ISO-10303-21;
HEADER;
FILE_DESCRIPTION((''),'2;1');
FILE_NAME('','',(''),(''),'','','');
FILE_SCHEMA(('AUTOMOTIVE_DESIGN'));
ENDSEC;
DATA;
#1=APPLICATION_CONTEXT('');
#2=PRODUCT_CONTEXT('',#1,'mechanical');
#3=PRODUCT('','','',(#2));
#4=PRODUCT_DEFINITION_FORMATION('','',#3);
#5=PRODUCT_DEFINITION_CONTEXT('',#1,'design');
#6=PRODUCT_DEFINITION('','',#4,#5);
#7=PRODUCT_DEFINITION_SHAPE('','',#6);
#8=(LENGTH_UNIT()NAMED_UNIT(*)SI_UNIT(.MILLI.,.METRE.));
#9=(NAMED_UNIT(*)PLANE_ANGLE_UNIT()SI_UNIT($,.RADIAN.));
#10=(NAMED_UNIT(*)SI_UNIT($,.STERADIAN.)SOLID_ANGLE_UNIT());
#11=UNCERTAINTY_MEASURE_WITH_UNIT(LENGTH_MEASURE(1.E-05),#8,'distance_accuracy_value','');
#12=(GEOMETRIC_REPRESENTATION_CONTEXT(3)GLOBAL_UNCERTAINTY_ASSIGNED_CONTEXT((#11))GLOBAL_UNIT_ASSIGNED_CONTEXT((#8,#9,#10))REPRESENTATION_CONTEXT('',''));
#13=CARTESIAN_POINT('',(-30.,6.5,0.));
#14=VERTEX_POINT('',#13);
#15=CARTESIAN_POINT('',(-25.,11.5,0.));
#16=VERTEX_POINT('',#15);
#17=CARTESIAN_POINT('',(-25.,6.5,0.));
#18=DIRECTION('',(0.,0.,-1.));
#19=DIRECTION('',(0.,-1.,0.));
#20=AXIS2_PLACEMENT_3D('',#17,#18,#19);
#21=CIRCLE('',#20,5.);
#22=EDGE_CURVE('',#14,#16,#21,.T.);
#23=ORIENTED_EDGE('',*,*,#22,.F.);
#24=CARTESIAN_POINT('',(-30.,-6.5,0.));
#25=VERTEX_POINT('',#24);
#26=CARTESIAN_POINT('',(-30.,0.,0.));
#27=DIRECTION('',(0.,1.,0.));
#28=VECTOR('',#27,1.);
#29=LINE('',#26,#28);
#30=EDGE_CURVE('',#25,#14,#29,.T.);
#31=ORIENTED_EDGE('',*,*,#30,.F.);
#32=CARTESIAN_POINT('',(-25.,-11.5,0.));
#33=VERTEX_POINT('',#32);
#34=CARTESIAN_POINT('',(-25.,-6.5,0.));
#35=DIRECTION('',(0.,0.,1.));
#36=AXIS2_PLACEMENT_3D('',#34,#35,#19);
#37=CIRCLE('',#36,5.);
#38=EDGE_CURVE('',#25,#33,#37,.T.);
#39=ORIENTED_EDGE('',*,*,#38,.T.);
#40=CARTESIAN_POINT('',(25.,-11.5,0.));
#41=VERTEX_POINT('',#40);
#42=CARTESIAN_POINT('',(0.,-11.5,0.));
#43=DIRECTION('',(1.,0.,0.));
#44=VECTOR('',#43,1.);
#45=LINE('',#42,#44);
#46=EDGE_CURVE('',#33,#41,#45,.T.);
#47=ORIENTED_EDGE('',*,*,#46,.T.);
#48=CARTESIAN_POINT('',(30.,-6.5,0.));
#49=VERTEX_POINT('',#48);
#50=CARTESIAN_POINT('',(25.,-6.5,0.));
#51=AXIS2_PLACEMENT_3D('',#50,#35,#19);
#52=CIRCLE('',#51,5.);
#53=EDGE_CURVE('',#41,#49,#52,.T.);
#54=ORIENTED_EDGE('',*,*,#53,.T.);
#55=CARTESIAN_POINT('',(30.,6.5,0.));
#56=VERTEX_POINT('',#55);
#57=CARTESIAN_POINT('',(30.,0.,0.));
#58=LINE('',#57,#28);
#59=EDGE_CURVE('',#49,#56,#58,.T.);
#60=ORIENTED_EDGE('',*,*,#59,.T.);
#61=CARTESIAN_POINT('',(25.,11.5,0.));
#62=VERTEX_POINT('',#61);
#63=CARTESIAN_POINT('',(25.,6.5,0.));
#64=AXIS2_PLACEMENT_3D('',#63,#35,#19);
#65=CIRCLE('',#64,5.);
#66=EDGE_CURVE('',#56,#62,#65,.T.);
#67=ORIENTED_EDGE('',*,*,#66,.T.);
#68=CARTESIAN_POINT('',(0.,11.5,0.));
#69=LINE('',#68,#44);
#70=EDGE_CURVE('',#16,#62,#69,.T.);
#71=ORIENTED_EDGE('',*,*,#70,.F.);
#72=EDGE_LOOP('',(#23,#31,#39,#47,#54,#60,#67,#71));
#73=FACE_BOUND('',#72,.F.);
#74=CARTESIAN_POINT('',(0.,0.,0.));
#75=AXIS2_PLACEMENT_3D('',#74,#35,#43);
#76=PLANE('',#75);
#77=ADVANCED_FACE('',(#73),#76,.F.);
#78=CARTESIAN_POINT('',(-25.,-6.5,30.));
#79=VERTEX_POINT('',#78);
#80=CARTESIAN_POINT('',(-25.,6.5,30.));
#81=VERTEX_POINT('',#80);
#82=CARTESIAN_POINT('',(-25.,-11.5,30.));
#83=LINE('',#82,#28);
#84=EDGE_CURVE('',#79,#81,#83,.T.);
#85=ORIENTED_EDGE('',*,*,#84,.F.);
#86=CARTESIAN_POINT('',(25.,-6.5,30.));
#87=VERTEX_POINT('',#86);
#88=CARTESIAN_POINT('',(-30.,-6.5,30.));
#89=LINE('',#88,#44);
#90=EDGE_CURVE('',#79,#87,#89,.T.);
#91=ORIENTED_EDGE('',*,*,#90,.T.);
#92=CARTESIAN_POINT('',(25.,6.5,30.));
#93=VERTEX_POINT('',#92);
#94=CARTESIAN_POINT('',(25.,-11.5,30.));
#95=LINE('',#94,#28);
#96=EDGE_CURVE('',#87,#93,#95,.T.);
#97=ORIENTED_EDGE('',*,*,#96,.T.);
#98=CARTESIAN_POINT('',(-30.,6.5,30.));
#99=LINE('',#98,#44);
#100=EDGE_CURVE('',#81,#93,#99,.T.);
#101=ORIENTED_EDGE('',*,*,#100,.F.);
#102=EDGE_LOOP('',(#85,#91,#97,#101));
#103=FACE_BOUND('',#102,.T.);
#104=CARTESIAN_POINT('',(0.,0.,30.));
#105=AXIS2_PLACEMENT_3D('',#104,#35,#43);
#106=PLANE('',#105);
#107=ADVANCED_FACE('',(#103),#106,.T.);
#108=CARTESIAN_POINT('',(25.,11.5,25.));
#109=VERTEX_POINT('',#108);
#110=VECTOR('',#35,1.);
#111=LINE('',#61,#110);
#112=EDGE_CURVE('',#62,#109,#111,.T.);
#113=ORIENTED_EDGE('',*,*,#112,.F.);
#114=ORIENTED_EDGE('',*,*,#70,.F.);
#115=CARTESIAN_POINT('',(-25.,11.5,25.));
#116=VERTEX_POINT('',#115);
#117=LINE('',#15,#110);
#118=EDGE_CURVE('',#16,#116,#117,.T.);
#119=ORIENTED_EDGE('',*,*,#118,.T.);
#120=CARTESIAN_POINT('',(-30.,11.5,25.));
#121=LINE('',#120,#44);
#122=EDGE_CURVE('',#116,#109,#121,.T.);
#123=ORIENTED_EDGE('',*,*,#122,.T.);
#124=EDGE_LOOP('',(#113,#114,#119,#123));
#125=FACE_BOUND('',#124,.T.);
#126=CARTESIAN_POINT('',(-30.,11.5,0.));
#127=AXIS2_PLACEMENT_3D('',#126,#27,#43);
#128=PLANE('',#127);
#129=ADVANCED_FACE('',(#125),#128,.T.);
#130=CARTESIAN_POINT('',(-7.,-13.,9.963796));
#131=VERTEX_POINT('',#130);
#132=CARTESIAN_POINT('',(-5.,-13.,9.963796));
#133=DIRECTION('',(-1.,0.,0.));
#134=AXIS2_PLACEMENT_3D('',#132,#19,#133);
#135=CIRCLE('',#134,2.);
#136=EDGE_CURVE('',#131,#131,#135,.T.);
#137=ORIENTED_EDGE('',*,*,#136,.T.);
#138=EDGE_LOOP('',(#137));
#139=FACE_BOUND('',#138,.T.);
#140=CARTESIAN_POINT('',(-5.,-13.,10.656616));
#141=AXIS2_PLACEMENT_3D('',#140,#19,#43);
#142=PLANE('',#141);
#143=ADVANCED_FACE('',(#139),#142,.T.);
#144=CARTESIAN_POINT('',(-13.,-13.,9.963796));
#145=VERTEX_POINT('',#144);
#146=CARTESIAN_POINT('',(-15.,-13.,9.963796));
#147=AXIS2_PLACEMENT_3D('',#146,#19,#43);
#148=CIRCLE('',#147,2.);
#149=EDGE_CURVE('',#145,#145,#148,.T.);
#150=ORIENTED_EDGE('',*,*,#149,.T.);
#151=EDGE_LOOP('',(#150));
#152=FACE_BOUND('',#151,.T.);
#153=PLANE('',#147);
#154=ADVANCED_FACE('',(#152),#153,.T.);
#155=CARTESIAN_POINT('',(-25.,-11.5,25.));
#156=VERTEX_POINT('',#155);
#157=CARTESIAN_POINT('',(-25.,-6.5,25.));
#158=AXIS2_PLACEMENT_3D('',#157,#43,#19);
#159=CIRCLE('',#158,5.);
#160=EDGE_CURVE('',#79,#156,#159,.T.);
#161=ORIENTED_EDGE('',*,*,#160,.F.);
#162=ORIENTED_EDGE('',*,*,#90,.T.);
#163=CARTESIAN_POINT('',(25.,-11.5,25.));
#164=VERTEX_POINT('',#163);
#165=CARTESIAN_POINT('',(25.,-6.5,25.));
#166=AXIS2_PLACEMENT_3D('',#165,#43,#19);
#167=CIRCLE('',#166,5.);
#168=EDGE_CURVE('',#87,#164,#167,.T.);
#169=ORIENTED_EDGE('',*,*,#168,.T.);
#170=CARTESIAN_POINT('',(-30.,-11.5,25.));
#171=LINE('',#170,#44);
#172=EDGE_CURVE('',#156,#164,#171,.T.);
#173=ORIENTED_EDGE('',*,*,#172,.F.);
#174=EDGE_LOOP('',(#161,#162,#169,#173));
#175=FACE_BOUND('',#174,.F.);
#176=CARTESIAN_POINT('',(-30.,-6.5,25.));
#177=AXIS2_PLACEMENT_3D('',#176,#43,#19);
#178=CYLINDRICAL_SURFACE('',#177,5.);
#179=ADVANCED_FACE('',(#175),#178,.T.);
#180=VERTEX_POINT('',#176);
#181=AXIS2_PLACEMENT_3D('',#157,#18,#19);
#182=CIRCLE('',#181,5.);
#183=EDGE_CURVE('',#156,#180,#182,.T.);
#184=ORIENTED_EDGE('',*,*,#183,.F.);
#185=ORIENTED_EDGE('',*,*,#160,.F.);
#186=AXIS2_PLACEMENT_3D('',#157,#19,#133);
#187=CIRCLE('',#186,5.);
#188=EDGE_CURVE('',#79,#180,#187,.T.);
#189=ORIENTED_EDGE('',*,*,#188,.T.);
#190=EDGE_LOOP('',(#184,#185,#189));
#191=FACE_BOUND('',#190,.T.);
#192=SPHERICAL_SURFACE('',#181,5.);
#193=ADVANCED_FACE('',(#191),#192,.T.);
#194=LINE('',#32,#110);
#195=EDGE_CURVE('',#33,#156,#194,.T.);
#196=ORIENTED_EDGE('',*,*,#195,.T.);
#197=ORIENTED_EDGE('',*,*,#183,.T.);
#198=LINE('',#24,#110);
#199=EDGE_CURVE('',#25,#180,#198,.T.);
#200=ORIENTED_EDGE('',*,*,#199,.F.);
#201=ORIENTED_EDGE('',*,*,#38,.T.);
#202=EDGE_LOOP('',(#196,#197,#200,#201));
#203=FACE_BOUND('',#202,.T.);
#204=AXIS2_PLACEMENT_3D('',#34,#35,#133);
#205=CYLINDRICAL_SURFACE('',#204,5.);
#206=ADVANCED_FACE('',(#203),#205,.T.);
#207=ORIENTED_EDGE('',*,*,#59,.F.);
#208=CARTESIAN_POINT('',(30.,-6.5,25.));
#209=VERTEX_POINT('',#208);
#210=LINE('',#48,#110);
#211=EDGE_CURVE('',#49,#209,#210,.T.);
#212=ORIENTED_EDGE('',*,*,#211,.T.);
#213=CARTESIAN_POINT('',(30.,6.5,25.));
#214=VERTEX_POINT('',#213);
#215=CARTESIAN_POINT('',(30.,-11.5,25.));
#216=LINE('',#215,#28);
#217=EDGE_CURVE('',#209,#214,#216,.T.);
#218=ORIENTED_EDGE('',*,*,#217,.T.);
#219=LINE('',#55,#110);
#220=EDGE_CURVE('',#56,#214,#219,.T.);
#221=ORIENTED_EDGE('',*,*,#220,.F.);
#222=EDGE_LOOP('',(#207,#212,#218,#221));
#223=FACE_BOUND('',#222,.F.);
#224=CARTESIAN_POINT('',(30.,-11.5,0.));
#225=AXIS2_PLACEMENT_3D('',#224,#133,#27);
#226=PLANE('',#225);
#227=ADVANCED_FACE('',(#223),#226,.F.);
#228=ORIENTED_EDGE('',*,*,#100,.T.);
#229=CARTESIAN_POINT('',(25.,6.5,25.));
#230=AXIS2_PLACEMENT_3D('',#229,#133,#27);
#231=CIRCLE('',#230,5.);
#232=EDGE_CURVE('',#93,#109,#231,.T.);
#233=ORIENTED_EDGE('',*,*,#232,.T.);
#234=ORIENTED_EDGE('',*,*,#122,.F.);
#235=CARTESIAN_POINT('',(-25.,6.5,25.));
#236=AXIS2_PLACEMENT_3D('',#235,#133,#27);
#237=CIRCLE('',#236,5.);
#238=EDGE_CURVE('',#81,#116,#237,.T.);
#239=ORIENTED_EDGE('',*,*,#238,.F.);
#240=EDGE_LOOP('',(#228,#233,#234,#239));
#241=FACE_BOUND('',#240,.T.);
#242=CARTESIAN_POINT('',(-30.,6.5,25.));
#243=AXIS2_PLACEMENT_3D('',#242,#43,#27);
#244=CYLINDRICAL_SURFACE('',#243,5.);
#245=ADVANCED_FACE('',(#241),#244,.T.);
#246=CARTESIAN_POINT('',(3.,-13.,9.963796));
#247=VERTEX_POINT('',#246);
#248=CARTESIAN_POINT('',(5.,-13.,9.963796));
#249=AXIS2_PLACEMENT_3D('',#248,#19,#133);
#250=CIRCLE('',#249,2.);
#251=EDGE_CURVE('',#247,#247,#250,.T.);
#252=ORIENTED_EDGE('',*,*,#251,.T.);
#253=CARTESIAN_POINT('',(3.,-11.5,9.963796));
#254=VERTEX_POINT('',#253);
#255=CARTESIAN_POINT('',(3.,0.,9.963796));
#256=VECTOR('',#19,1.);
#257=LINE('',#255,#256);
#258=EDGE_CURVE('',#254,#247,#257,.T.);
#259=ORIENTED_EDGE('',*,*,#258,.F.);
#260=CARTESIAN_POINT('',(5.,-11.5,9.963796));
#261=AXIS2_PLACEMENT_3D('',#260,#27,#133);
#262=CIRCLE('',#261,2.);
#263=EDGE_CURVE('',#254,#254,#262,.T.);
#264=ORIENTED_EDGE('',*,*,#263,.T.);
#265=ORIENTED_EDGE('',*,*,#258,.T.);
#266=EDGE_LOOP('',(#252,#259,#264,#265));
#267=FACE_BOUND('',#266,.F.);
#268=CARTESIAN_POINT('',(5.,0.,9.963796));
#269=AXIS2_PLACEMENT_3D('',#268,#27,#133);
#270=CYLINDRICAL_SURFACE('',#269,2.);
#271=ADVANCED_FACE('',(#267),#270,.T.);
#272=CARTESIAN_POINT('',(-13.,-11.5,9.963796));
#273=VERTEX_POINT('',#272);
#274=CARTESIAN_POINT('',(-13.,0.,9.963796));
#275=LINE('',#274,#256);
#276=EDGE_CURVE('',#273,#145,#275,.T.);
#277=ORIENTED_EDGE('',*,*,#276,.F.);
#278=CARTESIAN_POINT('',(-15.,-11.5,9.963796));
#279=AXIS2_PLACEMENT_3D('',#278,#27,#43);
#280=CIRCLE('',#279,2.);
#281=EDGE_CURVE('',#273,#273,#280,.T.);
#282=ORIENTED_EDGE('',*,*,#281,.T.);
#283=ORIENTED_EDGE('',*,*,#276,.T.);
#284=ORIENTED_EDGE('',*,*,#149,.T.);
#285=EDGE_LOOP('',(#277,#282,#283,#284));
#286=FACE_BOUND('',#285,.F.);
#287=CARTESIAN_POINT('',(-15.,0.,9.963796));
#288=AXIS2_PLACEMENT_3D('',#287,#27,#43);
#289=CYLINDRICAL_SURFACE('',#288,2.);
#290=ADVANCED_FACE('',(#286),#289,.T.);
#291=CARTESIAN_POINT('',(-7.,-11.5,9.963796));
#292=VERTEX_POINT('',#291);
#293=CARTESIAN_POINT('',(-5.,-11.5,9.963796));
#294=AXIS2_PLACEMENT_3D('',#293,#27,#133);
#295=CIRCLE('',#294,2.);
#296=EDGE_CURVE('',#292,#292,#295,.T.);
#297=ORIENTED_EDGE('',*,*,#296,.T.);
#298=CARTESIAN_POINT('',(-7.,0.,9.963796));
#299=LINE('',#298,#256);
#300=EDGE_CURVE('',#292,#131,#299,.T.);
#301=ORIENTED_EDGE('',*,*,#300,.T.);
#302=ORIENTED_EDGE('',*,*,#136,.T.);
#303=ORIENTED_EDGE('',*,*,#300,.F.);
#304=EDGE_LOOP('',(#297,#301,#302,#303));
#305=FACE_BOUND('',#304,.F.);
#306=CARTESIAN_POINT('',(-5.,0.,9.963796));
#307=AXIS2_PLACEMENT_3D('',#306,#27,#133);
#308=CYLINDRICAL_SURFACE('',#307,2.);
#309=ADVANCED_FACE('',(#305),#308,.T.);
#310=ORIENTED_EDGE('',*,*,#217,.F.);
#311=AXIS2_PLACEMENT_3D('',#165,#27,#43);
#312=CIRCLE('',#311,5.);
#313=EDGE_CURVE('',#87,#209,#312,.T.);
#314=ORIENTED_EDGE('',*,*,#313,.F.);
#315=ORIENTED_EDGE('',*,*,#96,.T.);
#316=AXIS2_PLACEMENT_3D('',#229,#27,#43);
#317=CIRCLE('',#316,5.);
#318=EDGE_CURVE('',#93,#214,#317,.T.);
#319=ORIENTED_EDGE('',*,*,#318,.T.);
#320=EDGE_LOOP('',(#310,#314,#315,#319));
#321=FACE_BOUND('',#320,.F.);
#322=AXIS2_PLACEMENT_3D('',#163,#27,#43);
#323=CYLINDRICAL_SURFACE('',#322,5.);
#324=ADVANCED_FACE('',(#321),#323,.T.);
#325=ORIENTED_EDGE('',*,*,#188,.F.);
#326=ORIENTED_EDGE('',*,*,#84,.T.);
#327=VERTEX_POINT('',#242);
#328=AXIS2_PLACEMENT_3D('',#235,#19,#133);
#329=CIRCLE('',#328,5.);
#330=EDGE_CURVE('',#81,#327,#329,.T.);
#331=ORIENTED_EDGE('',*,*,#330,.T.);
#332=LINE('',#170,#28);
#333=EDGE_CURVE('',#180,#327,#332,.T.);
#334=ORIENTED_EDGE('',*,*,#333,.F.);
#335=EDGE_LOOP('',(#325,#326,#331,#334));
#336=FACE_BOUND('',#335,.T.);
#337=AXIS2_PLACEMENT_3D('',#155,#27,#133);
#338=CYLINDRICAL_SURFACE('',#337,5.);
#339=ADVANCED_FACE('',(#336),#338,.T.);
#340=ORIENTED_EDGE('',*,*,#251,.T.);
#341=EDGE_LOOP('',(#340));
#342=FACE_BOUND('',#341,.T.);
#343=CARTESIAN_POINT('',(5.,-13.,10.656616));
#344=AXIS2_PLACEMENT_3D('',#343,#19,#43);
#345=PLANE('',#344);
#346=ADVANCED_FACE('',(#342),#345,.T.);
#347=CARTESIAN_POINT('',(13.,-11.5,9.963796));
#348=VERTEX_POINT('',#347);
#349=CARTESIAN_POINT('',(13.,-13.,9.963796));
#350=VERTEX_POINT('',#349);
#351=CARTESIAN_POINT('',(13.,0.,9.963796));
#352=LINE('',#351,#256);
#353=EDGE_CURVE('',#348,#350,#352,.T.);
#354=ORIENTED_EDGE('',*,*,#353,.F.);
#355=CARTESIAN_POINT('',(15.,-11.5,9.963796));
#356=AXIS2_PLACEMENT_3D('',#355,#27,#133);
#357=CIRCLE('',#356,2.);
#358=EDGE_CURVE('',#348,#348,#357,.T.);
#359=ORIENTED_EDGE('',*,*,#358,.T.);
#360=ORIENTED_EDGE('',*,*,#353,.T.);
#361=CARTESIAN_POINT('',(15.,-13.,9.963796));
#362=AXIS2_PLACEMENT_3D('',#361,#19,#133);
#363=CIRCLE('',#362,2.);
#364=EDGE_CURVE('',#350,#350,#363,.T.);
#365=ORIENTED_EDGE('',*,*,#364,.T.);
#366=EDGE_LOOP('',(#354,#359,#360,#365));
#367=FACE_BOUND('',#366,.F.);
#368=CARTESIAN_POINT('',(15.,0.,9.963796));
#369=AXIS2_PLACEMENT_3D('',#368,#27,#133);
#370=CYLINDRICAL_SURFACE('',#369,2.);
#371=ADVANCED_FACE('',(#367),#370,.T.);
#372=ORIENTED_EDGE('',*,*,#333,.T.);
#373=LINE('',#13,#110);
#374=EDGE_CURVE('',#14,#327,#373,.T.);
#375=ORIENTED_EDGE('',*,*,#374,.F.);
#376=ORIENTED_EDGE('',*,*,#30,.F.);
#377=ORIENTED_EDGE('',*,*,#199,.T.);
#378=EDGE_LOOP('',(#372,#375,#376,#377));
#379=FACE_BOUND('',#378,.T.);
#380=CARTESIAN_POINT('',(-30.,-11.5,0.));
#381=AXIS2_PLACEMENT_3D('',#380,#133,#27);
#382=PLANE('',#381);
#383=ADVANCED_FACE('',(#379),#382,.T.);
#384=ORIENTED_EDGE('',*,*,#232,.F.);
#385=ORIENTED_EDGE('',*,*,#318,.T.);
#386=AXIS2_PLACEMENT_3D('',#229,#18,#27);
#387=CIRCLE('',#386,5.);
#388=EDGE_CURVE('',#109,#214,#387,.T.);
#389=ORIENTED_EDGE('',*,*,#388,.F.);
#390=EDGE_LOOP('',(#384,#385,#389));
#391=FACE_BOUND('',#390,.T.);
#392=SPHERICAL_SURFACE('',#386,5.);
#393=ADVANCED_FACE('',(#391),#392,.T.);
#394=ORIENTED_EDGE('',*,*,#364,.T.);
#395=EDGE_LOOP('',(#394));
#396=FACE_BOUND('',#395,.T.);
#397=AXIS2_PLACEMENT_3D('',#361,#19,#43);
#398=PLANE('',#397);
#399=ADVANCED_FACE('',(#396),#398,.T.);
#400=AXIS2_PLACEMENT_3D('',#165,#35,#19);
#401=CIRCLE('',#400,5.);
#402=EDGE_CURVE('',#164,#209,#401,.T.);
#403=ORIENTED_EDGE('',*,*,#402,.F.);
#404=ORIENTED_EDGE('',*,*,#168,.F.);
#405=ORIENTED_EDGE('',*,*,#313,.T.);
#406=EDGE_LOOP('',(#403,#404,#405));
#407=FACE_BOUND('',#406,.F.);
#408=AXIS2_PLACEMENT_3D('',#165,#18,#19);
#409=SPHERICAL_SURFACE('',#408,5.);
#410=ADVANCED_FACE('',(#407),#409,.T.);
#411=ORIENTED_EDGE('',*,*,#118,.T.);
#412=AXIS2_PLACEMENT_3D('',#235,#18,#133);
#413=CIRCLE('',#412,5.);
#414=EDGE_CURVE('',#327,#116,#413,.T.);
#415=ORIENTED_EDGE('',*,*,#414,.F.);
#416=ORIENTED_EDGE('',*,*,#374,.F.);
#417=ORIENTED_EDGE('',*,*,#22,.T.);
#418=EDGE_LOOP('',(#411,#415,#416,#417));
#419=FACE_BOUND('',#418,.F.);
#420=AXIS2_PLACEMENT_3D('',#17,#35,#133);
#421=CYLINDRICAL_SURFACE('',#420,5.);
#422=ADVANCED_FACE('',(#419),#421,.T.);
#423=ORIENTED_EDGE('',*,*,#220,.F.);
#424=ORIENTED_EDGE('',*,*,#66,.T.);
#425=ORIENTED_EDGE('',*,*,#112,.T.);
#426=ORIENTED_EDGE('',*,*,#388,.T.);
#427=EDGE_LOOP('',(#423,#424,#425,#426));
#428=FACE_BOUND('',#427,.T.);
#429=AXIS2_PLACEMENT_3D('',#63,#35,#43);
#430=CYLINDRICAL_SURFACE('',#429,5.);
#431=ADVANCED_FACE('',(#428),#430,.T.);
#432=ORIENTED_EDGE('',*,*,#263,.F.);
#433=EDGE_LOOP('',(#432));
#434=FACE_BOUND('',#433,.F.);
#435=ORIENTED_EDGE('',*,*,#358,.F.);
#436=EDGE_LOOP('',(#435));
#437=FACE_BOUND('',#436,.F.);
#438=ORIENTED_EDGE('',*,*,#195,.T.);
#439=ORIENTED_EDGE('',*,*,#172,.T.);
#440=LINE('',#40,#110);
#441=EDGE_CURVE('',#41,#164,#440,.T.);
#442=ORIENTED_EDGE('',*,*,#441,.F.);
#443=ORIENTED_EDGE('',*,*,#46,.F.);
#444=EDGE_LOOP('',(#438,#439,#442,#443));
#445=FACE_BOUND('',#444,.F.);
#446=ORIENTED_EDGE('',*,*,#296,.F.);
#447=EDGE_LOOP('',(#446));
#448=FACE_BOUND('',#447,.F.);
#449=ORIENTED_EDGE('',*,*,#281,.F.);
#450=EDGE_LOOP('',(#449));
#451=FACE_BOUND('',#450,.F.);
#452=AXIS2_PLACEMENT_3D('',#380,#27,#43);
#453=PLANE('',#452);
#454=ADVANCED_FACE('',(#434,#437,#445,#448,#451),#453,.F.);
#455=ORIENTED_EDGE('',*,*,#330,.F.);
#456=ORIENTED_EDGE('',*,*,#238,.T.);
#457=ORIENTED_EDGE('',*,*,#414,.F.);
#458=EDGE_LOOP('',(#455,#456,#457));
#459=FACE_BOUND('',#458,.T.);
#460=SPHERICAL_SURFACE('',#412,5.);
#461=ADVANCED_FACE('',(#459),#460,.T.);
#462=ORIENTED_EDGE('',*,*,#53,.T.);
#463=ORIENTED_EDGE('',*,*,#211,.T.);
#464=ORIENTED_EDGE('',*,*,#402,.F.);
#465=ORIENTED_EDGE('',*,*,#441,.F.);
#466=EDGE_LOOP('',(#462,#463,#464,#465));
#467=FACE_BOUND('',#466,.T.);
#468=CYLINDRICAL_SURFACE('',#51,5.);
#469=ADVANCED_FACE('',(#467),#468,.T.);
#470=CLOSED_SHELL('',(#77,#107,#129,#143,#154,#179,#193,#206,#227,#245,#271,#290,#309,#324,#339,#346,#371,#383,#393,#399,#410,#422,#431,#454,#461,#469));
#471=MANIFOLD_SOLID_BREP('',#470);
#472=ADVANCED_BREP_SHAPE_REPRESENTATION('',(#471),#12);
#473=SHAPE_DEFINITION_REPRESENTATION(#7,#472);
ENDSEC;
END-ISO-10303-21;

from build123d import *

# Parameters (mm, degrees)
F0_W     = 60
F0_H     = 23
F1_DEPTH = 30
F2_R     = 5
F3_R     = 2
F4_DEPTH = 13


with BuildPart() as f1:
    # F0 (on Top) → F1 (new body)
    with BuildSketch(Plane.XY):
        Rectangle(F0_W, F0_H)
    extrude(amount=F1_DEPTH)

    # F2
    f2_edges = [f1.edges().sort_by_distance(p)[0] for p in [
        (-30, 11.5, 15),
        (-30, -11.5, 15),
        (30, -11.5, 15),
        (30, 11.5, 15),
        (0, -11.5, 30),
        (-30, 0, 30),
        (0, 11.5, 30),
        (30, 0, 30),
    ]]
    fillet(f2_edges, radius=F2_R)

    # F3 (on Front) → F4 (join)
    with BuildSketch(Plane.XZ):
        with Locations((-15, 9.963796)):
            Circle(F3_R)
        with BuildLine():
            ThreePointArc((17, 9.963796), (15, 11.963796), (13, 9.963796))
            ThreePointArc((13, 9.963796), (15, 7.963796), (17, 9.963796))
        make_face()
        with BuildLine():
            ThreePointArc((7, 9.963796), (5, 11.963796), (3, 9.963796))
            Line((3, 9.963796), (7, 9.963796))
        make_face()
        with BuildLine():
            Line((7, 9.963796), (3, 9.963796))
            ThreePointArc((3, 9.963796), (5, 7.963796), (7, 9.963796))
        make_face()
        with BuildLine():
            ThreePointArc((-3, 9.963796), (-5, 11.963796), (-7, 9.963796))
            Line((-7, 9.963796), (-3, 9.963796))
        make_face()
        with BuildLine():
            Line((-3, 9.963796), (-7, 9.963796))
            ThreePointArc((-7, 9.963796), (-5, 7.963796), (-3, 9.963796))
        make_face()
    extrude(amount=F4_DEPTH)


solid = f1.part
